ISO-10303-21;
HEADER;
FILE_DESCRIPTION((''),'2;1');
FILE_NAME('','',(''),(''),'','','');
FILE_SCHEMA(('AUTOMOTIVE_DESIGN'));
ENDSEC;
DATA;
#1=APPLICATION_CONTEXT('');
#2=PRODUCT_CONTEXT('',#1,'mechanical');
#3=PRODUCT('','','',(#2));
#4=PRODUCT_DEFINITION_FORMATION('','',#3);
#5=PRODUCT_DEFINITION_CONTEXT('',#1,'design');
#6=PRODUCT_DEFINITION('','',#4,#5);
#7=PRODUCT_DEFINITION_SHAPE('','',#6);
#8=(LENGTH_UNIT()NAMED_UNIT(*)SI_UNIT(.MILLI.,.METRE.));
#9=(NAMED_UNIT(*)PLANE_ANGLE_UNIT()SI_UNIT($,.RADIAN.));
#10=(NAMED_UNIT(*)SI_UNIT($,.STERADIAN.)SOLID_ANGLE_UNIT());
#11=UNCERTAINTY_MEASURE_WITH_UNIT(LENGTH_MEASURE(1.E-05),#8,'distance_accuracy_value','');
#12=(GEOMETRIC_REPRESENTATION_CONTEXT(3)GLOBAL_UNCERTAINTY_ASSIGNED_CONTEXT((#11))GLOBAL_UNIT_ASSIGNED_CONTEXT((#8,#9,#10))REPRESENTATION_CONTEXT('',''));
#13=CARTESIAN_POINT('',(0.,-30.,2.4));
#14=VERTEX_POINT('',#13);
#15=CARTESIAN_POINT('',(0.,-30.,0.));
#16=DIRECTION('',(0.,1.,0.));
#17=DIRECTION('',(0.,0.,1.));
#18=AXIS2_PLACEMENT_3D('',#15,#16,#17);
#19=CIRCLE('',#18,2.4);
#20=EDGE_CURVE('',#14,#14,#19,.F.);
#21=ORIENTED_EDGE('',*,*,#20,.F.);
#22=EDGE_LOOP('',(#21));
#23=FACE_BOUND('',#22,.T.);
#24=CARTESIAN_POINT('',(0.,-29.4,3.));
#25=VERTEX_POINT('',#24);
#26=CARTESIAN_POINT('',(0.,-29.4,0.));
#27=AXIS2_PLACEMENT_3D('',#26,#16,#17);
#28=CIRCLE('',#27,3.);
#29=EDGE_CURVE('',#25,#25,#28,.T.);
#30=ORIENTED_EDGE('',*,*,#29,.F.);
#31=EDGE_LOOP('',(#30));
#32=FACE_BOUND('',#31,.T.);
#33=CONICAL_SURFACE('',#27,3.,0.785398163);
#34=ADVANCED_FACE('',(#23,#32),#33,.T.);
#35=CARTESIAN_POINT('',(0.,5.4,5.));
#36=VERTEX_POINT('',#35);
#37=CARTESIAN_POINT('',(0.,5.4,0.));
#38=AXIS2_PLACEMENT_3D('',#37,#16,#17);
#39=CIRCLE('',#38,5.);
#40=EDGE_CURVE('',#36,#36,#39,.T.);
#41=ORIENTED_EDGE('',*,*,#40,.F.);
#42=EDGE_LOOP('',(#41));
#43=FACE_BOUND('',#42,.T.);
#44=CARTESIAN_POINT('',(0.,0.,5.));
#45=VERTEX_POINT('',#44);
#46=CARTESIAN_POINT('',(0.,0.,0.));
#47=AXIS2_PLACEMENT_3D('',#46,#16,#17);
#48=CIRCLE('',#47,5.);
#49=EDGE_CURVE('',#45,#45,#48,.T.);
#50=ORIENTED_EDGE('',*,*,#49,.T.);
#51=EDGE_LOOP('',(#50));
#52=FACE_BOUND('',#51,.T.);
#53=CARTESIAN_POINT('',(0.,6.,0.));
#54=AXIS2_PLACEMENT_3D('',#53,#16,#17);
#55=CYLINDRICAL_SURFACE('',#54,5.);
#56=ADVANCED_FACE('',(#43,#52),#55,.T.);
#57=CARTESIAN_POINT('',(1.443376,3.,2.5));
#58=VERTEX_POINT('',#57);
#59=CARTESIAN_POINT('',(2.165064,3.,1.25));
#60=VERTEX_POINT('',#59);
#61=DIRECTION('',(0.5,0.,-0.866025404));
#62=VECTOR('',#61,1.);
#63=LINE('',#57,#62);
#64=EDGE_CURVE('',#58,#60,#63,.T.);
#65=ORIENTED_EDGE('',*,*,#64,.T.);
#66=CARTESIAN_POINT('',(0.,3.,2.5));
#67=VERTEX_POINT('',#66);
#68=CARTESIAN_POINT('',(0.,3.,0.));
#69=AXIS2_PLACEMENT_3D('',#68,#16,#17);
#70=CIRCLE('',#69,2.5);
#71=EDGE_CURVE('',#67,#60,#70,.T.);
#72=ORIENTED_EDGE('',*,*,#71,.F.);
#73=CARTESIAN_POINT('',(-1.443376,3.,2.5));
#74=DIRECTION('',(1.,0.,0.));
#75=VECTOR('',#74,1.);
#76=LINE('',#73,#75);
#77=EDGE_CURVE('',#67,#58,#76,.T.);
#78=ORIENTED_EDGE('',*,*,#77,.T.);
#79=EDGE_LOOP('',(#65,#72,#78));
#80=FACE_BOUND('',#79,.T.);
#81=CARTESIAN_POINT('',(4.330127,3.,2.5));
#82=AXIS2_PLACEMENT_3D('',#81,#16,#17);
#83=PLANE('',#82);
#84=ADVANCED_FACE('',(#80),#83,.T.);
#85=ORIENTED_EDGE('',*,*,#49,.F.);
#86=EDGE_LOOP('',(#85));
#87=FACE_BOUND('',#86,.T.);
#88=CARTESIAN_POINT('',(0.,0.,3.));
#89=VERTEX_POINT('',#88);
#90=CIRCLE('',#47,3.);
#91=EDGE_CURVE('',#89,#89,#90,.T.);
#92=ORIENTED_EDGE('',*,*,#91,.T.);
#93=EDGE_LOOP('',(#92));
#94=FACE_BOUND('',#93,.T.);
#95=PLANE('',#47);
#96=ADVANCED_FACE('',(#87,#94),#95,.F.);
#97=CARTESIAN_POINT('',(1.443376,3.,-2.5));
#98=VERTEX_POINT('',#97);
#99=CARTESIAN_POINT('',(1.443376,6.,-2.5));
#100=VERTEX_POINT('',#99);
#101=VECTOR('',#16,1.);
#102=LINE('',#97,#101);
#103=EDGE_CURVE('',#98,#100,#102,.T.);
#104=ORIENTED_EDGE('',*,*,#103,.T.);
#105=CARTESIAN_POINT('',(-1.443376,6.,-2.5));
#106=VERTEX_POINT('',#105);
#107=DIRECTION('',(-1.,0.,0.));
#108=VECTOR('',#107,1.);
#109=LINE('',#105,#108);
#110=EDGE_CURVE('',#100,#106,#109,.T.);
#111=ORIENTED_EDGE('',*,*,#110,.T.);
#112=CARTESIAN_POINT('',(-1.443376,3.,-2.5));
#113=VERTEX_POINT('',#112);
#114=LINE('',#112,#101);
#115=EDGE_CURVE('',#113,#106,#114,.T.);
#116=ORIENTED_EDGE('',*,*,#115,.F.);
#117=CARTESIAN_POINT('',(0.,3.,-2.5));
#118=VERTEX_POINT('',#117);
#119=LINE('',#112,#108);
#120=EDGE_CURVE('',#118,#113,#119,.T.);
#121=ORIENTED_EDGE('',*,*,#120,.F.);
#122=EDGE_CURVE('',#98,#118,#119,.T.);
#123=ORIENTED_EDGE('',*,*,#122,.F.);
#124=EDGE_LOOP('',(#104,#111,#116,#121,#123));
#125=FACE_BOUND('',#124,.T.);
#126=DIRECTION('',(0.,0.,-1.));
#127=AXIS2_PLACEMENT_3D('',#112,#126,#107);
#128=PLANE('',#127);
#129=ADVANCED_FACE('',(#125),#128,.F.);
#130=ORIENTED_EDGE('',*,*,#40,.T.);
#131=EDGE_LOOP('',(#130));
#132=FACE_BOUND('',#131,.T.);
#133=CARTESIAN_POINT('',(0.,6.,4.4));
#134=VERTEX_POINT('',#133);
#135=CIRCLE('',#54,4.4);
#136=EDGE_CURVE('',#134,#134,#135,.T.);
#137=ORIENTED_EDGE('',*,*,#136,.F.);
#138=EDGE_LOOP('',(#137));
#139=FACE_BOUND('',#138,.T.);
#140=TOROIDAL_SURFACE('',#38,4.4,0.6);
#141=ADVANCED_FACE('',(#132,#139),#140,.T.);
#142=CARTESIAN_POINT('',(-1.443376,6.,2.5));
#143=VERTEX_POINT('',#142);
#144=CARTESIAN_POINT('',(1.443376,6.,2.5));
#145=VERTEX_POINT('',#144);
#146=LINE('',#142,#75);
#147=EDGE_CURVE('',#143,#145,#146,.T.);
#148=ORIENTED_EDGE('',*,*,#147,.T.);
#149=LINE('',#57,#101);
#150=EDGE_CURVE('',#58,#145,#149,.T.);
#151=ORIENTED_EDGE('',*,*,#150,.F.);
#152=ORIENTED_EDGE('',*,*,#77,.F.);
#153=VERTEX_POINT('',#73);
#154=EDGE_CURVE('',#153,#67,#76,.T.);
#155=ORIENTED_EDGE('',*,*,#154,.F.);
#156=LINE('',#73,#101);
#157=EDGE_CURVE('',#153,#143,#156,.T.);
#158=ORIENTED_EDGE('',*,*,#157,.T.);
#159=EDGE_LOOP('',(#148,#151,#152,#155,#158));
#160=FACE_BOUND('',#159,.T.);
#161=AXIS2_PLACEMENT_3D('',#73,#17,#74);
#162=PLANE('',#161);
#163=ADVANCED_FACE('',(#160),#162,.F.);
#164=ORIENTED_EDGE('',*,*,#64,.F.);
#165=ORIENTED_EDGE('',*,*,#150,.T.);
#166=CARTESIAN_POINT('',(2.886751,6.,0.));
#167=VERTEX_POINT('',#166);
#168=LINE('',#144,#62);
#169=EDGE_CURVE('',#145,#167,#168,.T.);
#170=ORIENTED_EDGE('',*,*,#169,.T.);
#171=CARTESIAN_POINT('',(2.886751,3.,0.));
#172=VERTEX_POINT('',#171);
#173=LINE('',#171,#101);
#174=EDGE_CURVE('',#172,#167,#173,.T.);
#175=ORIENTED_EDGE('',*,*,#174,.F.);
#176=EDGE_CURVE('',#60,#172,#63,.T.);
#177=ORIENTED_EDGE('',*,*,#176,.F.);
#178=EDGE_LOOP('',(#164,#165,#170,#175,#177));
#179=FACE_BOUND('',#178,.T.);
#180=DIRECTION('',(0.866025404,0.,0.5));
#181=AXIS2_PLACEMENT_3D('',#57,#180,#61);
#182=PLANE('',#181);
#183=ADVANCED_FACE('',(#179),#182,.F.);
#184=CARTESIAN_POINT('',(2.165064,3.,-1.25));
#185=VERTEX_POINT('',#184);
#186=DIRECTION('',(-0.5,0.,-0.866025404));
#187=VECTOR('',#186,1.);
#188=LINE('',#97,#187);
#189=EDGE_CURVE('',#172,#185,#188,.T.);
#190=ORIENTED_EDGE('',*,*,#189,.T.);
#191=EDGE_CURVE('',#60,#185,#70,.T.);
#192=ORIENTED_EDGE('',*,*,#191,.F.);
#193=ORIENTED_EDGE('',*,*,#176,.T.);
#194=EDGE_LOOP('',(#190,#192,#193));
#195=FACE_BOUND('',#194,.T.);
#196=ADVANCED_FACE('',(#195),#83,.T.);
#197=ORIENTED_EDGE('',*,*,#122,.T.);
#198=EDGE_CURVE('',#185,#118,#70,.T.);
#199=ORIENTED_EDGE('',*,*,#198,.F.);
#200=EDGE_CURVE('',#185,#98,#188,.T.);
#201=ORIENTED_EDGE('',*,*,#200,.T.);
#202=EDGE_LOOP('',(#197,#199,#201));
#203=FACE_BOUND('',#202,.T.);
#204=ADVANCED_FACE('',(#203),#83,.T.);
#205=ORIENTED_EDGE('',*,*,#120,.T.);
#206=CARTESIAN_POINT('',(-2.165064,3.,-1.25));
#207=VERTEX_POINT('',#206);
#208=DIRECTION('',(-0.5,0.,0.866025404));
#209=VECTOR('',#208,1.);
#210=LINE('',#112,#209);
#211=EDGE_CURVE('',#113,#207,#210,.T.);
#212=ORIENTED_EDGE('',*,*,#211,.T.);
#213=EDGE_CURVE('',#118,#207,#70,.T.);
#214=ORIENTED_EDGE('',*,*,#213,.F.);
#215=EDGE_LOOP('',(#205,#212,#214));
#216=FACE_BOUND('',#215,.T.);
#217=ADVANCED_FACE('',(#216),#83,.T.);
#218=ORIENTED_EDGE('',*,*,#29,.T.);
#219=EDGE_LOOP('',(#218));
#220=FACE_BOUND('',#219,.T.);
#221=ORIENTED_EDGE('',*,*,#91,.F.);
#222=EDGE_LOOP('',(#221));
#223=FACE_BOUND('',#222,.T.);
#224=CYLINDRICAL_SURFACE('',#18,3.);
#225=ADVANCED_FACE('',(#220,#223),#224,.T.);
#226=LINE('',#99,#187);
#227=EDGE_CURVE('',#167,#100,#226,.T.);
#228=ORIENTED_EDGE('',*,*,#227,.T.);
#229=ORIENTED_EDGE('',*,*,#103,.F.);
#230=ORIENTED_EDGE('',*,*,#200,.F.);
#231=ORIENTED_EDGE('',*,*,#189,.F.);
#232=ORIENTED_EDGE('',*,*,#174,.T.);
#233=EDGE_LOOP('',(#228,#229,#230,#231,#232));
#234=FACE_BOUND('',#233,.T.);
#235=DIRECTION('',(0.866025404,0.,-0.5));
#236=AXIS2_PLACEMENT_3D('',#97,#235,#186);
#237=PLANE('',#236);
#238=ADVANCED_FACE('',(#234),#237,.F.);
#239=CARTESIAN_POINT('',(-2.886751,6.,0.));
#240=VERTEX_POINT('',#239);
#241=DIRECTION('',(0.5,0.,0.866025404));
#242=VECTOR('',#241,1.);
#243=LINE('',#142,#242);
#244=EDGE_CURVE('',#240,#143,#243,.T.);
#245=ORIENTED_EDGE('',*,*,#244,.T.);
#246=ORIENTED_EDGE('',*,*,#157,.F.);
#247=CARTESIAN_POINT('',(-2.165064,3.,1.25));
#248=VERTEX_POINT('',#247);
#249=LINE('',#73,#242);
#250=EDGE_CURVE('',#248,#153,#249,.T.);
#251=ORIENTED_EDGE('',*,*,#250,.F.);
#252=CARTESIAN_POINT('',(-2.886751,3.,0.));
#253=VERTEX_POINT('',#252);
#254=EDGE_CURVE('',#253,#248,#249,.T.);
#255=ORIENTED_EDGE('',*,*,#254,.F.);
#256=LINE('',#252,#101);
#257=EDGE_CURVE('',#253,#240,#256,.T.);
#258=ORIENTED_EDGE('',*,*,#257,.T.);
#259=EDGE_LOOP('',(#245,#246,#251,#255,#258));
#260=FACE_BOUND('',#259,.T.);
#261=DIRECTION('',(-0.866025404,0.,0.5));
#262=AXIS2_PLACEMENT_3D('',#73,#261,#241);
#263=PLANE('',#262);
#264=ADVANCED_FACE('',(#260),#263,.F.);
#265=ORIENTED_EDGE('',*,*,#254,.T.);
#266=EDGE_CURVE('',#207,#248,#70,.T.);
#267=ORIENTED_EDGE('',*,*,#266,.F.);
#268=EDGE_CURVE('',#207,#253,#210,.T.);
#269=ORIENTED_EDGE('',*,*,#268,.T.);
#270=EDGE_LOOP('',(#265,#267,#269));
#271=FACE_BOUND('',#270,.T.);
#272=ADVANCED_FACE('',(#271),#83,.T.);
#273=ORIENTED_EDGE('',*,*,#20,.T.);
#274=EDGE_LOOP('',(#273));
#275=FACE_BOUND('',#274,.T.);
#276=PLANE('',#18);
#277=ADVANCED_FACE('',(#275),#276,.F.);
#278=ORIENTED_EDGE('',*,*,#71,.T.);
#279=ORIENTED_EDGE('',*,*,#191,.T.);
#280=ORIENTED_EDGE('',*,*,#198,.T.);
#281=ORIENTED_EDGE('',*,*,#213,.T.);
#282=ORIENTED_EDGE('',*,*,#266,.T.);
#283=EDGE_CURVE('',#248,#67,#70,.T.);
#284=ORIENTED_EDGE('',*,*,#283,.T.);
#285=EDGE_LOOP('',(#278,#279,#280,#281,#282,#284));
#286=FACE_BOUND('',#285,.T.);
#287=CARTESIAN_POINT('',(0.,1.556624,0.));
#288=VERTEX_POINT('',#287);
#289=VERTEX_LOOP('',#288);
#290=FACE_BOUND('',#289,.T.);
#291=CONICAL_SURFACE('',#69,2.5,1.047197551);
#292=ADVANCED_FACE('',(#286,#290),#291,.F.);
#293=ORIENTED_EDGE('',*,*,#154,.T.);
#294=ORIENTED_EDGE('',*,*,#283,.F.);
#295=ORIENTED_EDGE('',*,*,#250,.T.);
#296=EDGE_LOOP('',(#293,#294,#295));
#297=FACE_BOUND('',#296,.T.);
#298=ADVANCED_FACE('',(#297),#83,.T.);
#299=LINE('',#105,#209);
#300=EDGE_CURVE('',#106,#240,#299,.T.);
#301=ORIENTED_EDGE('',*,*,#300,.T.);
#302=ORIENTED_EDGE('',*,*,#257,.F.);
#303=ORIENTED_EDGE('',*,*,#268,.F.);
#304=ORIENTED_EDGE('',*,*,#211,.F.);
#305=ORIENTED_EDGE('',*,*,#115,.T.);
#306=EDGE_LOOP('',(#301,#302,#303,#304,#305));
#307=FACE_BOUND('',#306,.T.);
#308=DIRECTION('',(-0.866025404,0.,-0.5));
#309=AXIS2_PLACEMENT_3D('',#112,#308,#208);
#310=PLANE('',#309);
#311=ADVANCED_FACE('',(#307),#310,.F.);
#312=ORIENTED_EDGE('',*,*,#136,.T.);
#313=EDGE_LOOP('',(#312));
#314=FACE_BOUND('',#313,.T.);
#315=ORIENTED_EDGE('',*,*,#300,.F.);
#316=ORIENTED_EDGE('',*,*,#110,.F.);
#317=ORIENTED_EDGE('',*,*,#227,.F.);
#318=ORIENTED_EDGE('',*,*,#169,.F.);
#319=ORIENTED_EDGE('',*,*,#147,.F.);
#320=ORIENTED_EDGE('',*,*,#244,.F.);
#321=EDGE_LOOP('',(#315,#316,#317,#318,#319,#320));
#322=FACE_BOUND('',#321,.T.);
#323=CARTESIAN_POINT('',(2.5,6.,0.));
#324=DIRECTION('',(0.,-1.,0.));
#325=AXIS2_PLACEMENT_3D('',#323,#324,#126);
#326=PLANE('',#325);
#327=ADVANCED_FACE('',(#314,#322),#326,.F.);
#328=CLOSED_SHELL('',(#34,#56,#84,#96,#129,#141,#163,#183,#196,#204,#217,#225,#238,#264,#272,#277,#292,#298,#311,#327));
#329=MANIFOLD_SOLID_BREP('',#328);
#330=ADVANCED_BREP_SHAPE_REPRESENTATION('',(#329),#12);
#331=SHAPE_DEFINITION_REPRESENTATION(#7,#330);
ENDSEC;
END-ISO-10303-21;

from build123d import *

# Parameters (mm, degrees)
ESQUISSE2_R             = 3
BASE_EXTRUSION_DEPTH    = 30
CHANFREIN1_SIZE         = 0.6
ENL_V_MAT_EXTRU_1_DEPTH = 3


with BuildPart() as part:
    # Esquisse2 → Base-Extrusion (new body)
    with BuildSketch(Plane(origin=(0, 0, 0), x_dir=(1, 0, 0), z_dir=(0, 1, 0))):
        with Locations(Location((0, 0, 0), (0, 0, 270))):  # turned: the seam where the file's is
            Circle(ESQUISSE2_R)
    extrude(amount=-BASE_EXTRUSION_DEPTH)

    # Chanfrein1
    chanfrein1_edges = [part.edges().sort_by_distance(p)[0] for p in [
        (0, -30, -3),
    ]]
    chamfer(chanfrein1_edges, length=CHANFREIN1_SIZE)

    # Esquisse5 → Boss.-Révol.1 (revolve)
    with BuildSketch(Plane.XY, mode=Mode.PRIVATE) as boss_r_vol_1_sk:
        with BuildLine():
            Line((2.5, 6), (2.5, 3))
            Line((2.5, 3), (0, 1.556624327))
            Line((0, 1.556624327), (0, 0))
            Line((0, 0), (5, 0))
            Line((5, 0), (5, 5.4))
            ThreePointArc((5, 5.4), (4.824264069, 5.824264069), (4.4, 6))
            Line((4.4, 6), (2.5, 6))
        make_face()
    revolve(boss_r_vol_1_sk.sketch.rotate(Axis((0, 6, 0), (0, -1, 0)), 90), axis=Axis((0, 6, 0), (0, -1, 0)))  # turned: the seam where the file's is

    # Esquisse7 → Enlèv. mat.-Extru.1 (cut)
    with BuildSketch(Plane(origin=(0, 6, 0), x_dir=(-1, 0, 0), z_dir=(0, 1, 0))):
        Polygon((1.443375673, 2.5), (-1.443375673, 2.5), (-2.886751346, 0), (-1.443375673, -2.5), (1.443375673, -2.5), (2.886751346, 0), align=None)
    extrude(amount=-ENL_V_MAT_EXTRU_1_DEPTH, mode=Mode.SUBTRACT)


solid = part.part
